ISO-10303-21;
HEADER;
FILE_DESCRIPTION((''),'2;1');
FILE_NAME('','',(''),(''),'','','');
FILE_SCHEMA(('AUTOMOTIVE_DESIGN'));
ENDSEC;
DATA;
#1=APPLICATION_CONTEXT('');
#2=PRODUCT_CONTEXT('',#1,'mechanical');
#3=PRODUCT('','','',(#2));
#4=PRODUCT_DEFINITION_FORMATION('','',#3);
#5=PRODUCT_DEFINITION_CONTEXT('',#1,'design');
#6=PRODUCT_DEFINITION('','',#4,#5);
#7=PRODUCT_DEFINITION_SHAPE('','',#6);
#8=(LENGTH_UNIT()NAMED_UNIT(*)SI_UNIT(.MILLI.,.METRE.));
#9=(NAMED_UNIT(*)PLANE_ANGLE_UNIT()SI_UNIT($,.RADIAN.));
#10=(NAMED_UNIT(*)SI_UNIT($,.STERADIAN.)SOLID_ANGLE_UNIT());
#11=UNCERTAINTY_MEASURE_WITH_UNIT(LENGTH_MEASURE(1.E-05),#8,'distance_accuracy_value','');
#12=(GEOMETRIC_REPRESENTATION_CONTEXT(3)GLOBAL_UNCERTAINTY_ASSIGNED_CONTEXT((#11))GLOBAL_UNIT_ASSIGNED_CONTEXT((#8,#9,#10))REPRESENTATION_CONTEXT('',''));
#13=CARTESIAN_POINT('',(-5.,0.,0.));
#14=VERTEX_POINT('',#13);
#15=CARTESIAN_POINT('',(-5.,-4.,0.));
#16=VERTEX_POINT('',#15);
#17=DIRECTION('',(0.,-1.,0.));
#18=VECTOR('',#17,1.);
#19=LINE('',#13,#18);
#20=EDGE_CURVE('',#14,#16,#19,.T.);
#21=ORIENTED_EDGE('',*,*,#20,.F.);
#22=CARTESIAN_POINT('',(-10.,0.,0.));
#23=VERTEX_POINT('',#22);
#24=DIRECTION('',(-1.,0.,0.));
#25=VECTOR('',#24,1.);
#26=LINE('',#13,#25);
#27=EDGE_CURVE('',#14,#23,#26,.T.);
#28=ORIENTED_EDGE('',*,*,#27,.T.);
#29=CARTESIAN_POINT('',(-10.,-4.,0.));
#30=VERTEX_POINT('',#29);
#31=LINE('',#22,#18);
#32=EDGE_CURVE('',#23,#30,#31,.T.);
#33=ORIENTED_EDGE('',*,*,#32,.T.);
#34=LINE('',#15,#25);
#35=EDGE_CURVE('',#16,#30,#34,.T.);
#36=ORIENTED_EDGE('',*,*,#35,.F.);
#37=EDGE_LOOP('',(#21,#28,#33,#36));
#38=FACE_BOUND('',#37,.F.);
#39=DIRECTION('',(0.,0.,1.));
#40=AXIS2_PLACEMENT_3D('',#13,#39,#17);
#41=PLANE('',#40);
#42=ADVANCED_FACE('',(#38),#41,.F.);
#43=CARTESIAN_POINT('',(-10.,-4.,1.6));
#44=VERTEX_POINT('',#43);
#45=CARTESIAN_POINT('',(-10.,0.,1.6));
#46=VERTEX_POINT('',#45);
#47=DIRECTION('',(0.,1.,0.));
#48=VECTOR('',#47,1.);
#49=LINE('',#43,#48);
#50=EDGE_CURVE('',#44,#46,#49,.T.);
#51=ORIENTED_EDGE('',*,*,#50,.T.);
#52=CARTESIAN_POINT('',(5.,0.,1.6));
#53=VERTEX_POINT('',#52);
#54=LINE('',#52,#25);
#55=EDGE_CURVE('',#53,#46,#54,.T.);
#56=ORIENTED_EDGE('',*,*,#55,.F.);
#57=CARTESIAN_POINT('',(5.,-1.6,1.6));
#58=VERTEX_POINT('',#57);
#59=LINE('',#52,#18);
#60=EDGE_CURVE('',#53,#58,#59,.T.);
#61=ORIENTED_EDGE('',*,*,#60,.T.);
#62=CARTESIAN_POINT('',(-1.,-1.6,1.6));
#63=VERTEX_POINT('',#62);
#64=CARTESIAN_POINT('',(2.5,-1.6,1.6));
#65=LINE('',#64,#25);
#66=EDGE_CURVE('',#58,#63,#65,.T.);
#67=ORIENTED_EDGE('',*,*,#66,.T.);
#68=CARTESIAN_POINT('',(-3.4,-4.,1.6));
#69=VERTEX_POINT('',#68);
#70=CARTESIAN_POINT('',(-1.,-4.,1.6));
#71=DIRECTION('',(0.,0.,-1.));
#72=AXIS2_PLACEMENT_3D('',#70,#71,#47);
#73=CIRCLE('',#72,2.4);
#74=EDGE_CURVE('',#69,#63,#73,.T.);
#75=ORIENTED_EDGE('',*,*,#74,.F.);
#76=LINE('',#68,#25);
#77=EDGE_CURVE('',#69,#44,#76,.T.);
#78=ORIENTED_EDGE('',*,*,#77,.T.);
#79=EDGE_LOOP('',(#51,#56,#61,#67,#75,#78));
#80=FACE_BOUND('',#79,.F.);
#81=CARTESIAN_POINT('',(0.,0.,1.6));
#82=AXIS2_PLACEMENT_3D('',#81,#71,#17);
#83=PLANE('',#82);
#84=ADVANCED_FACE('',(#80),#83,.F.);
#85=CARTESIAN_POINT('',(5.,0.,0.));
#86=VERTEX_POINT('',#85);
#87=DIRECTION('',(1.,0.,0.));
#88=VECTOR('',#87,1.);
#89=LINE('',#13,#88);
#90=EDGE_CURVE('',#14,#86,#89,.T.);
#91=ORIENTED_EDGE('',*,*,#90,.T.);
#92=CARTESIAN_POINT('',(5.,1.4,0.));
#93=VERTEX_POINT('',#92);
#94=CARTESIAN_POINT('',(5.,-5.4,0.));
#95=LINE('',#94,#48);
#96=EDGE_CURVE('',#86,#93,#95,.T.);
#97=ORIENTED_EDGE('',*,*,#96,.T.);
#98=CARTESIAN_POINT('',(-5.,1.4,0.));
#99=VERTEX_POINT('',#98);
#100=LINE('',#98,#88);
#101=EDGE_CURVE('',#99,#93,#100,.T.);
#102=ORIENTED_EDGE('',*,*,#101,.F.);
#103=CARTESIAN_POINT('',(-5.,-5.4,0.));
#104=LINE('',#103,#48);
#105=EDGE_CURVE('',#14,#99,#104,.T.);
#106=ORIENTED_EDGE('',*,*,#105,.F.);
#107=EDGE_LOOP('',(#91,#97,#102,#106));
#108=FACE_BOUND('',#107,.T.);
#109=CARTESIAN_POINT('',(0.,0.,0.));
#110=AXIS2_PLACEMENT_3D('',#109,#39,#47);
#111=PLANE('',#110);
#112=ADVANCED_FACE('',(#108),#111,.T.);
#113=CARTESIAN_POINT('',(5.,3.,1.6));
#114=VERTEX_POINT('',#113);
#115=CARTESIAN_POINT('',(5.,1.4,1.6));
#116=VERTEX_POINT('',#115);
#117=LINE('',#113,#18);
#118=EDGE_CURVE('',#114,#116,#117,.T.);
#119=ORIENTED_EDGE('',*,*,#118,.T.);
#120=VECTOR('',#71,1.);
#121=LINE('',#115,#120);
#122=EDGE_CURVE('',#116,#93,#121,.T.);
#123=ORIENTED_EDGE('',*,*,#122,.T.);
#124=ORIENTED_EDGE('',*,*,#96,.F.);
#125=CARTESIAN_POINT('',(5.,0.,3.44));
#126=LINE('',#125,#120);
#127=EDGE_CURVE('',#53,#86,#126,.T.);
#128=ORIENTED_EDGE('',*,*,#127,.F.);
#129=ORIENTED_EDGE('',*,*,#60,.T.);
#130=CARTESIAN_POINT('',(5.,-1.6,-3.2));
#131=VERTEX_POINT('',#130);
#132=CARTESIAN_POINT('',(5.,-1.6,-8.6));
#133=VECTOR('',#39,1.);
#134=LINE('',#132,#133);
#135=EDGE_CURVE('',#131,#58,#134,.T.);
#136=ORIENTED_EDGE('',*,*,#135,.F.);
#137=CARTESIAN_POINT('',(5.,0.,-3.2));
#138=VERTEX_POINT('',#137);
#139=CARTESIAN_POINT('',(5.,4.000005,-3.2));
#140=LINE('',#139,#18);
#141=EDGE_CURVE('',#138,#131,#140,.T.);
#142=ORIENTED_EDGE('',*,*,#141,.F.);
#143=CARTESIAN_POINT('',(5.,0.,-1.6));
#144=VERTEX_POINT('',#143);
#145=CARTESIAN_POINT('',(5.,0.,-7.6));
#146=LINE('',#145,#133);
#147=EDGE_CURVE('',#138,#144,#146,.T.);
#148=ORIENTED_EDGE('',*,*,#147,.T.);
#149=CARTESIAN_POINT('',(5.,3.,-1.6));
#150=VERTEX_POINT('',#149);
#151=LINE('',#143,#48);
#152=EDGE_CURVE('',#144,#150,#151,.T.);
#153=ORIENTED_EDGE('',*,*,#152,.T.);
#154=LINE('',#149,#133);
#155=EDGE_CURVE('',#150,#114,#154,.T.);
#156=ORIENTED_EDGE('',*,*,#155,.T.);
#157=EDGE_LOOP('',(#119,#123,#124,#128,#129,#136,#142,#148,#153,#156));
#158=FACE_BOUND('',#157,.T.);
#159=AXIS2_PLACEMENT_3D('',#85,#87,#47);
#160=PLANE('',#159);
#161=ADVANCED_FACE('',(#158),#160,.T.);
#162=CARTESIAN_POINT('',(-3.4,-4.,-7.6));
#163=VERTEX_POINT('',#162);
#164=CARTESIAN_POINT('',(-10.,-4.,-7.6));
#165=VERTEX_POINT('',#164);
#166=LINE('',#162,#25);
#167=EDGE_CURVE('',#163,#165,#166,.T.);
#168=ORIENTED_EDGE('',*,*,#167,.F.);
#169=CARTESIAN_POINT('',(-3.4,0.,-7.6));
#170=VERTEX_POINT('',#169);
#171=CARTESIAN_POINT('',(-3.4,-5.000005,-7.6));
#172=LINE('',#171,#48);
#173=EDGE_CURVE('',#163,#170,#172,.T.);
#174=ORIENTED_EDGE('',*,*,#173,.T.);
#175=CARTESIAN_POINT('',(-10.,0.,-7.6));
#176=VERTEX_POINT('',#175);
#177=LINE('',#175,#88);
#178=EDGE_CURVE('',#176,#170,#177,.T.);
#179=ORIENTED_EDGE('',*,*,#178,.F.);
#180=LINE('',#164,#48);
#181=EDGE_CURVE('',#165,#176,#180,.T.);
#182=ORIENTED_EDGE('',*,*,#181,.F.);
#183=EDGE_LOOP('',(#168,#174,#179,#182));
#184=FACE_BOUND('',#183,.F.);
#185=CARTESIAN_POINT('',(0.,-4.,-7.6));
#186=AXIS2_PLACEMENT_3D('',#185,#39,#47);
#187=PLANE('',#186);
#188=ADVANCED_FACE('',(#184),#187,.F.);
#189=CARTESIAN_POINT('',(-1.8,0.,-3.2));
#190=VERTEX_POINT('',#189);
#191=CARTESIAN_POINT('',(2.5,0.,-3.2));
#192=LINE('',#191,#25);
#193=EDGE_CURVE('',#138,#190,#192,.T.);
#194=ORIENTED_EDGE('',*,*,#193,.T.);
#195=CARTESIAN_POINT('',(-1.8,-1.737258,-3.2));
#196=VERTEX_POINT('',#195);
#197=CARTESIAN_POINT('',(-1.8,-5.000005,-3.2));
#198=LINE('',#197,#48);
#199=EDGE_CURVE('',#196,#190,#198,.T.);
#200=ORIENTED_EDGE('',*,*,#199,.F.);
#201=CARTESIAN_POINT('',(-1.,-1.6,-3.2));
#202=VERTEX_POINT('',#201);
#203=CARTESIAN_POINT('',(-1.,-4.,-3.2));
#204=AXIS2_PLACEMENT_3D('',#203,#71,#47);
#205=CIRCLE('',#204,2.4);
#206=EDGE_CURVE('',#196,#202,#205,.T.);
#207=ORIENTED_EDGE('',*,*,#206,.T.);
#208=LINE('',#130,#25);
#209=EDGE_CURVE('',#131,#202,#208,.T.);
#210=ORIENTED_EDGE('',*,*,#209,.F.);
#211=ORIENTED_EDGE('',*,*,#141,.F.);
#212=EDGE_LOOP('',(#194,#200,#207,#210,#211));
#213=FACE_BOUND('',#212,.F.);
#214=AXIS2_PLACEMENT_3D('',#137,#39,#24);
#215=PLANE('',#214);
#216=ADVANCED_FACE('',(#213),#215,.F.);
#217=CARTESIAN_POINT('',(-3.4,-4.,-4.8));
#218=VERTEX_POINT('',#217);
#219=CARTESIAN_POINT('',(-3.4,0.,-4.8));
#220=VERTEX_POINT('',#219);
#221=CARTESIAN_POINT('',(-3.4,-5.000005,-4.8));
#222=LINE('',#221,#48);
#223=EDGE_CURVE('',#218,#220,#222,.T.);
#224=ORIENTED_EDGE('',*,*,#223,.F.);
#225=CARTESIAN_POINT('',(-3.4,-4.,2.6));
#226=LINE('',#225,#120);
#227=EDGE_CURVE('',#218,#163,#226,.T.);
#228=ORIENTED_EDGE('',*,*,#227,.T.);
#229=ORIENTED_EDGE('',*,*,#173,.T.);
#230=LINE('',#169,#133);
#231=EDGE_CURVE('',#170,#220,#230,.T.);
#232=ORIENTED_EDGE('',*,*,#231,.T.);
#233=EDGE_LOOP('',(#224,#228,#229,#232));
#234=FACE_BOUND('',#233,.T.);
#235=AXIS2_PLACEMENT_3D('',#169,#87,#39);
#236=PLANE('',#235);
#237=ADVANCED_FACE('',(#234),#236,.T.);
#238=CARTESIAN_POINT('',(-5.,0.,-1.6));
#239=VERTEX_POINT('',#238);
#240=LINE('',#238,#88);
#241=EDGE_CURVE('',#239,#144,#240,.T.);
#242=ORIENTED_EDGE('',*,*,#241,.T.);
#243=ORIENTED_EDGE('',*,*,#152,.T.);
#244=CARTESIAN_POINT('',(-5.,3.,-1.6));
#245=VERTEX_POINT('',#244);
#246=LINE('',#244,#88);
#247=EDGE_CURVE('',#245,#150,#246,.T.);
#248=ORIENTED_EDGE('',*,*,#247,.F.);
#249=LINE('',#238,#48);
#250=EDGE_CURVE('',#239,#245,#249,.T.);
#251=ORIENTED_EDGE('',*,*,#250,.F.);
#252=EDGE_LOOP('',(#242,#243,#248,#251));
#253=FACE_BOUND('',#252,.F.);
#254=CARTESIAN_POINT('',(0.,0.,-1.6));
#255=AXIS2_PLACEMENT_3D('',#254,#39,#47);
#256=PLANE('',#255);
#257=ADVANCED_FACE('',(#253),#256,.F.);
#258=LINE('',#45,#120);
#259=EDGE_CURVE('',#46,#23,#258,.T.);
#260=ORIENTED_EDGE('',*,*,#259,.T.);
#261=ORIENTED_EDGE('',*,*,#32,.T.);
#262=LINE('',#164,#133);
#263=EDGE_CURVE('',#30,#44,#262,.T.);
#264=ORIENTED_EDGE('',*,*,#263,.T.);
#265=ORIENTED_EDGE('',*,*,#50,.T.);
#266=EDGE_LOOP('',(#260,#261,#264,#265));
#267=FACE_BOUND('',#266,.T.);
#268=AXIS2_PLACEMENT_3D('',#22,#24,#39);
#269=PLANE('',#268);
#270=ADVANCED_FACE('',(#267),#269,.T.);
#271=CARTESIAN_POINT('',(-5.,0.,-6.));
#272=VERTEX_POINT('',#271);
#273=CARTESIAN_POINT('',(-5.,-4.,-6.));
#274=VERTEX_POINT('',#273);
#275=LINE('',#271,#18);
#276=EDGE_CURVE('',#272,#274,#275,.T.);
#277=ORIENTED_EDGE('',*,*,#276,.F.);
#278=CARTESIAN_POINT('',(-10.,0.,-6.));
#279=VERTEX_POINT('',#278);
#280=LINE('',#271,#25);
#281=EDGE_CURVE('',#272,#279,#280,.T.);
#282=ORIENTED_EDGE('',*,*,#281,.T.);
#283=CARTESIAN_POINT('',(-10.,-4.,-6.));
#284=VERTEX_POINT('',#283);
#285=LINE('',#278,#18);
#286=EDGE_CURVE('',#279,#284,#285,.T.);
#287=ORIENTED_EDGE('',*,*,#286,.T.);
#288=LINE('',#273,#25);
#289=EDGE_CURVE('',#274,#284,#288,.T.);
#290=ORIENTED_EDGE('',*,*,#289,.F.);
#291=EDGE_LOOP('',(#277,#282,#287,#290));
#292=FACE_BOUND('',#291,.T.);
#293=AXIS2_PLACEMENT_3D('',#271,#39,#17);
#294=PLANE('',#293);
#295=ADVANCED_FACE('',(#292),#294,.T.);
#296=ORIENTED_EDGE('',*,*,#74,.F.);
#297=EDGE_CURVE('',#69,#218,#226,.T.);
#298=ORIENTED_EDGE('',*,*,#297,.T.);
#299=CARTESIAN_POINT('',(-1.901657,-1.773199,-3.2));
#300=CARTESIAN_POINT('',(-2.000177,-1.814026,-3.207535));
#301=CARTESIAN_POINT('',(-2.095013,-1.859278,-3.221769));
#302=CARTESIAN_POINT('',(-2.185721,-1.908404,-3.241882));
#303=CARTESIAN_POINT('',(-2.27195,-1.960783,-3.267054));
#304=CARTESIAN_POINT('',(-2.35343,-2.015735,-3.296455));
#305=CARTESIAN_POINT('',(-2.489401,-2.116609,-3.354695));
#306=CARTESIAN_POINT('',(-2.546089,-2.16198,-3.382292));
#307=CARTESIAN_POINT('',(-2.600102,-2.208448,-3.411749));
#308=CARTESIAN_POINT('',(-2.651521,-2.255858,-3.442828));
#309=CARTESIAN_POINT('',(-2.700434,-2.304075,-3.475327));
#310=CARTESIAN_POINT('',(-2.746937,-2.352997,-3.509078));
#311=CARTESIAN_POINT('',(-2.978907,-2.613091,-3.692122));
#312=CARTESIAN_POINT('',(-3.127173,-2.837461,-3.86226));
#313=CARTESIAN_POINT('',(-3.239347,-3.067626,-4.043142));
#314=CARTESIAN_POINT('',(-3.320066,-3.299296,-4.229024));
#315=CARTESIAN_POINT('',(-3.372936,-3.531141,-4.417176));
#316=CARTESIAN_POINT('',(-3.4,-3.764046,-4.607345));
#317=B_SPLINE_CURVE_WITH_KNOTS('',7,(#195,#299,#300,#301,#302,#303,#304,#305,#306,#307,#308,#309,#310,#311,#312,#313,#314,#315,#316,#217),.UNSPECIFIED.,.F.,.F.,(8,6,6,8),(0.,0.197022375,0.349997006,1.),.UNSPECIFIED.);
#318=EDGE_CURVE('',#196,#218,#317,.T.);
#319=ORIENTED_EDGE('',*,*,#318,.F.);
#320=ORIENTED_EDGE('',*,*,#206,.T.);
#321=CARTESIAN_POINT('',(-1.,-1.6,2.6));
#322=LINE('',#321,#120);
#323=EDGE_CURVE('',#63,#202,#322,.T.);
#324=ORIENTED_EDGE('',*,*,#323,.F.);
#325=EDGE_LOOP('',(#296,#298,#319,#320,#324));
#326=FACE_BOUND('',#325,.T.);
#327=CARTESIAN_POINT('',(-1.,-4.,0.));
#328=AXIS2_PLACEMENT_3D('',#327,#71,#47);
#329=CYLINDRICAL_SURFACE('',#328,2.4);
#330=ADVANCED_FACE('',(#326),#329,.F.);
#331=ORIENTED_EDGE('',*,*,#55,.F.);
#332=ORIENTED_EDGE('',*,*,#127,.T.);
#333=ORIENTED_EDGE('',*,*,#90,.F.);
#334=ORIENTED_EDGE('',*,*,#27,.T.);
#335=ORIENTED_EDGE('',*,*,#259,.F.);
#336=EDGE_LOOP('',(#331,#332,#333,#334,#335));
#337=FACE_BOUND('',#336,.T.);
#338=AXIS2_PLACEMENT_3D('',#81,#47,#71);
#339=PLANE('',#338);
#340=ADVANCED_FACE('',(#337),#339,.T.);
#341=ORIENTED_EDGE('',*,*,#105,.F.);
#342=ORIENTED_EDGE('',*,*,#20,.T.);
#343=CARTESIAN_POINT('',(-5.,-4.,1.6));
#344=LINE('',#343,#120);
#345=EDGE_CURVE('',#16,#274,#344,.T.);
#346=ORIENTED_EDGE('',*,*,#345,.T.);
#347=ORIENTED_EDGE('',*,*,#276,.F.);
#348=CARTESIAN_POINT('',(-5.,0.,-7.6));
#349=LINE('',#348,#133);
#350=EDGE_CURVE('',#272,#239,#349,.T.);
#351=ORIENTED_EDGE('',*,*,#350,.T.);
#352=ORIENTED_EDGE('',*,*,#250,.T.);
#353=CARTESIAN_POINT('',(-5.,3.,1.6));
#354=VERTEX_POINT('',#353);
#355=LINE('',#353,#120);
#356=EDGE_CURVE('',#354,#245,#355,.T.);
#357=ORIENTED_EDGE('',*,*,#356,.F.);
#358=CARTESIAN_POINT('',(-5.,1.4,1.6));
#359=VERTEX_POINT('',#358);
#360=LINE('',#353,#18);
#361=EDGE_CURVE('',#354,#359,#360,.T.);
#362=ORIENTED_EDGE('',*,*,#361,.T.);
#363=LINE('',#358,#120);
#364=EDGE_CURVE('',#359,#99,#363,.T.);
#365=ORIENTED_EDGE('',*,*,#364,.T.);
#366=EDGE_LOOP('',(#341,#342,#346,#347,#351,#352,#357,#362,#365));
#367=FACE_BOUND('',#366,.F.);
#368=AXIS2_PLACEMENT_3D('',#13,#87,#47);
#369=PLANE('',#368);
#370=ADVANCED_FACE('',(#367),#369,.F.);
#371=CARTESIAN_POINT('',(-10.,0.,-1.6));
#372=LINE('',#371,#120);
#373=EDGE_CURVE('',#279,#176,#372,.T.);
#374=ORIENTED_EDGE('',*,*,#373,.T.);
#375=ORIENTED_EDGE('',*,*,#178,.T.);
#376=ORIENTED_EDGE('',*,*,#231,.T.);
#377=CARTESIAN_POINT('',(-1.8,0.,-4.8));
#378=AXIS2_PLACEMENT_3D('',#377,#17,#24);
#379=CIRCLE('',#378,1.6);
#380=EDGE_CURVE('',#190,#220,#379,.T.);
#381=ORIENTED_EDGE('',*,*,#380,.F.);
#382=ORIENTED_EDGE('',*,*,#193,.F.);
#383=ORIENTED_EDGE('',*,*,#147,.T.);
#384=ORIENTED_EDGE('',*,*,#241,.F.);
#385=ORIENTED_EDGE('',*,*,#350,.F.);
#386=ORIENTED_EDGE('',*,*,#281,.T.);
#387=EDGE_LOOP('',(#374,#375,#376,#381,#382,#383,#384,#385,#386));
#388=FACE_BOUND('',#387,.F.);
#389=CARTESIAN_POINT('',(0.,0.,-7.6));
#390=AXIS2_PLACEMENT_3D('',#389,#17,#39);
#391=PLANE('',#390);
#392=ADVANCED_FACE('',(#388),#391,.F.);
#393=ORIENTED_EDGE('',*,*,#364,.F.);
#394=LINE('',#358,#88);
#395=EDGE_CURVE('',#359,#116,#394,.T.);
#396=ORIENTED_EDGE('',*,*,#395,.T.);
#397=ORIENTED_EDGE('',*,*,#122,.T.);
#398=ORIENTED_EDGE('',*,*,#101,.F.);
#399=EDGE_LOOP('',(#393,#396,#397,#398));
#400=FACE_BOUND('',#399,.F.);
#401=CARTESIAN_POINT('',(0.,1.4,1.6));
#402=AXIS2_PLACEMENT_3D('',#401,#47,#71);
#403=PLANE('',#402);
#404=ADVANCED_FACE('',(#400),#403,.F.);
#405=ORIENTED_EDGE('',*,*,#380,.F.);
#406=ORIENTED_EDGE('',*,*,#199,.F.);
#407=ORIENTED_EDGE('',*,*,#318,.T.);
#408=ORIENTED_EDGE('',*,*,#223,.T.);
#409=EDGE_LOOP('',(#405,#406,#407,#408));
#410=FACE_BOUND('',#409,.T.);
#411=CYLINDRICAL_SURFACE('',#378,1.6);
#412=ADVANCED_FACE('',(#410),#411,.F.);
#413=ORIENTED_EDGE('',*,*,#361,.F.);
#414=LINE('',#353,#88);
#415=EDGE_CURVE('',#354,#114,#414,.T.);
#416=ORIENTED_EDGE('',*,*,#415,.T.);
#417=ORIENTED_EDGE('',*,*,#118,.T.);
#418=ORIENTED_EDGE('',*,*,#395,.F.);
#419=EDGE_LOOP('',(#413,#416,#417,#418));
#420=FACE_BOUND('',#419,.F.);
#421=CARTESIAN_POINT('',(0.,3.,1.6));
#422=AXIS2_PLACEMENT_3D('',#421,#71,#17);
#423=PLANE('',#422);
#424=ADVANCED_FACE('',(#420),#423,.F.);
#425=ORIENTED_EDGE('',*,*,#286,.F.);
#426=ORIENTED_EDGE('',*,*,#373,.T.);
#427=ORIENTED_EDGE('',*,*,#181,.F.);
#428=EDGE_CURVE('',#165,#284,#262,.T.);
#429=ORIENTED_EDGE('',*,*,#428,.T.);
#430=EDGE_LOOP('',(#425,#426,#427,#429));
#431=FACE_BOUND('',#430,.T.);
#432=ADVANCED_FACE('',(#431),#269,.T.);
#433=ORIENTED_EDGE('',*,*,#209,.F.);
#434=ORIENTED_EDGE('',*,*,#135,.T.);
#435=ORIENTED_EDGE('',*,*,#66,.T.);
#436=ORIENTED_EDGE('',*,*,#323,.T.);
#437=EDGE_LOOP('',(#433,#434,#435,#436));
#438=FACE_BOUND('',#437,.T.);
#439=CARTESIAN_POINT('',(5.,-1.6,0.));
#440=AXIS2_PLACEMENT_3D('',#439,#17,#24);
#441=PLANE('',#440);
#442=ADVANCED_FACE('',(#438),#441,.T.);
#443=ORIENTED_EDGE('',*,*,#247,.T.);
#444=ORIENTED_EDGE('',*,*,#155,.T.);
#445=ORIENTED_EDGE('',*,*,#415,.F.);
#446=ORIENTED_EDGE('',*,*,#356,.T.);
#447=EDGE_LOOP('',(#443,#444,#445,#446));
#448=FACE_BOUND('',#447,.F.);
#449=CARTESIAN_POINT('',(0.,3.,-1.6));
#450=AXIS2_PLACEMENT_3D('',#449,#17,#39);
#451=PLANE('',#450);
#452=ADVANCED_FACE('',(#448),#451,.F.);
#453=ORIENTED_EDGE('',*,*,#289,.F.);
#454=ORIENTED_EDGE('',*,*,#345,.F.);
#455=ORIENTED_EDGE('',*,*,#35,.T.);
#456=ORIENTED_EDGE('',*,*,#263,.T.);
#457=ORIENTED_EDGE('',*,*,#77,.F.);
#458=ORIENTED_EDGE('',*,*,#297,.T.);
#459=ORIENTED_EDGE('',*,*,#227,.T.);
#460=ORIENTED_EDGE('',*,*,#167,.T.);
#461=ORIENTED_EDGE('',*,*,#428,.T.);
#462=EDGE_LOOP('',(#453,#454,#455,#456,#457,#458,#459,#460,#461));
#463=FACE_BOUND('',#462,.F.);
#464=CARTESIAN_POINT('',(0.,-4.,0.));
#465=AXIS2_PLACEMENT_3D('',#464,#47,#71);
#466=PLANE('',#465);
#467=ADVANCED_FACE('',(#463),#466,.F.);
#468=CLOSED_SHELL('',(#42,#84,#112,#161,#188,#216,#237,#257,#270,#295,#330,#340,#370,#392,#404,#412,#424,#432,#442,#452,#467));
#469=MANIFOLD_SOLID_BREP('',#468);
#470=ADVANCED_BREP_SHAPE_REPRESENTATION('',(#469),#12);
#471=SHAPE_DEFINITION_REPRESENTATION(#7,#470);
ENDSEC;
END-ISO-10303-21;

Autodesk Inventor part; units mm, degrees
sketch "Sketch2" plane through (0, 0, 0) normal (1, 0, 0) x (0, 1, 0)
  line L0 (0, -7.6) -> (0, -1.6)
  line L1 (0, 3.44) -> (0, -9.44) projected
  line L2 (-5.4, 0) -> (4.4, 0) projected
  line L3 (0, -1.6) -> (3, -1.6)
  line L4 (3, -1.6) -> (3, 1.6)
  line L5 (3, 1.6) -> (1.4, 1.6)
  line L6 (1.4, 1.6) -> (1.4, 0)
  line L7 (1.4, 0) -> (0, 0)
  line L8 (0, 0) -> (0, 1.6)
  line L9 (0, 1.6) -> (-4, 1.6)
  line L10 (-4, 1.6) -> (-4, 1.6)
  line L11 (-4, 1.6) -> (-4, -7.6)
  line L12 (-4, -7.6) -> (0, -7.6)
  point P0 (0, 0)
  dimension "d1" = 6
  dimension "d2" = 3
  dimension "d3" = 3.2
  dimension "d4" = 1.6
  dimension "d6" = 4
  dimension "d7" = 1.6
  dimension "d8" = 1.4
  dimension "d12" = 1.6
extrude "Extrusion1" add sketch "Sketch2" along normal mid plane 10
sketch "Sketch3" plane through (0, 0, 0) normal (0, 0, 1) x (1, 0, 0)
  line L0 (5, 0) -> (5, 3) projected
  line L1 (5, 0) -> (5, -1.6)
  line L2 (5, -4) -> (5, 0) projected
  line L3 (-5, -4) -> (5, -4) projected
  line L4 (-3.4, -4) -> (-3.4, -4)
  line L5 (-5, 0) -> (-5, -4) projected
  line L6 (5, -1.6) -> (-1, -1.6)
  arc A0 (-1, -1.6) -> (-3.4, -4) centre (-1, -4) ccw
  point P0 (0, 0)
  point P1 (-3.4, -4)
  dimension "d14" = 1.6
  dimension "d15" = 1.6
  dimension "d17" = 2.4
extrude "Extrusion2" cut sketch "Sketch3" along normal through all both and the other way through all
sketch "Sketch4" plane through (-5, 0, 0) normal (-1, 0, 0) x (0, 0, 1)
  line L0 (1.6, 0) -> (0, 0) projected
  line L1 (-7.6, -4) -> (1.6, -4) projected
  line L2 (1.6, 0) -> (0, 0)
  line L3 (0, 0) -> (0, -4)
  line L4 (0, -4) -> (1.6, -4)
  line L5 (1.6, -4) -> (1.6, 0)
  line L6 (-1.6, 0) -> (-7.6, 0) projected
  line L7 (-7.6, 0) -> (-6, 0)
  line L8 (-6, 0) -> (-6, -4)
  line L9 (-6, -4) -> (-7.6, -4)
  line L10 (-7.6, -4) -> (-7.6, 0)
  point P0 (-7.6, -4)
  point P1 (-6, 0)
  point P2 (0, 0)
  dimension "d20" = 1.6
  dimension "d21" = 1.6
extrude "Extrusion3" add sketch "Sketch4" along normal blind 5
sketch "Sketch6" plane through (-5, 0, -1.6) normal (0, 1, 0) x (1, 0, 0)
  line L0 (-5, 6) -> (10, 6) projected
  line L1 (1.6, 6) -> (1.6, 3.2)
  line L2 (0, 0) -> (0, 4.4) projected
  line L3 (10, 6) -> (10, 0) projected
  line L4 (10, 1.6) -> (3.2, 1.6)
  line L5 (0, 0) -> (10, 0) projected
  arc A0 (1.6, 3.2) -> (3.2, 1.6) centre (3.2, 3.2) ccw
  point P0 (5, -1.6)
  point P1 (0, 6)
  dimension "d24" = 1.6
  dimension "d25" = 1.6
  dimension "d26" = 1.6
extrude "Extrusion4" cut sketch "Sketch6" along normal through all both and the other way through all
properties part number "Hanging_Wall"
